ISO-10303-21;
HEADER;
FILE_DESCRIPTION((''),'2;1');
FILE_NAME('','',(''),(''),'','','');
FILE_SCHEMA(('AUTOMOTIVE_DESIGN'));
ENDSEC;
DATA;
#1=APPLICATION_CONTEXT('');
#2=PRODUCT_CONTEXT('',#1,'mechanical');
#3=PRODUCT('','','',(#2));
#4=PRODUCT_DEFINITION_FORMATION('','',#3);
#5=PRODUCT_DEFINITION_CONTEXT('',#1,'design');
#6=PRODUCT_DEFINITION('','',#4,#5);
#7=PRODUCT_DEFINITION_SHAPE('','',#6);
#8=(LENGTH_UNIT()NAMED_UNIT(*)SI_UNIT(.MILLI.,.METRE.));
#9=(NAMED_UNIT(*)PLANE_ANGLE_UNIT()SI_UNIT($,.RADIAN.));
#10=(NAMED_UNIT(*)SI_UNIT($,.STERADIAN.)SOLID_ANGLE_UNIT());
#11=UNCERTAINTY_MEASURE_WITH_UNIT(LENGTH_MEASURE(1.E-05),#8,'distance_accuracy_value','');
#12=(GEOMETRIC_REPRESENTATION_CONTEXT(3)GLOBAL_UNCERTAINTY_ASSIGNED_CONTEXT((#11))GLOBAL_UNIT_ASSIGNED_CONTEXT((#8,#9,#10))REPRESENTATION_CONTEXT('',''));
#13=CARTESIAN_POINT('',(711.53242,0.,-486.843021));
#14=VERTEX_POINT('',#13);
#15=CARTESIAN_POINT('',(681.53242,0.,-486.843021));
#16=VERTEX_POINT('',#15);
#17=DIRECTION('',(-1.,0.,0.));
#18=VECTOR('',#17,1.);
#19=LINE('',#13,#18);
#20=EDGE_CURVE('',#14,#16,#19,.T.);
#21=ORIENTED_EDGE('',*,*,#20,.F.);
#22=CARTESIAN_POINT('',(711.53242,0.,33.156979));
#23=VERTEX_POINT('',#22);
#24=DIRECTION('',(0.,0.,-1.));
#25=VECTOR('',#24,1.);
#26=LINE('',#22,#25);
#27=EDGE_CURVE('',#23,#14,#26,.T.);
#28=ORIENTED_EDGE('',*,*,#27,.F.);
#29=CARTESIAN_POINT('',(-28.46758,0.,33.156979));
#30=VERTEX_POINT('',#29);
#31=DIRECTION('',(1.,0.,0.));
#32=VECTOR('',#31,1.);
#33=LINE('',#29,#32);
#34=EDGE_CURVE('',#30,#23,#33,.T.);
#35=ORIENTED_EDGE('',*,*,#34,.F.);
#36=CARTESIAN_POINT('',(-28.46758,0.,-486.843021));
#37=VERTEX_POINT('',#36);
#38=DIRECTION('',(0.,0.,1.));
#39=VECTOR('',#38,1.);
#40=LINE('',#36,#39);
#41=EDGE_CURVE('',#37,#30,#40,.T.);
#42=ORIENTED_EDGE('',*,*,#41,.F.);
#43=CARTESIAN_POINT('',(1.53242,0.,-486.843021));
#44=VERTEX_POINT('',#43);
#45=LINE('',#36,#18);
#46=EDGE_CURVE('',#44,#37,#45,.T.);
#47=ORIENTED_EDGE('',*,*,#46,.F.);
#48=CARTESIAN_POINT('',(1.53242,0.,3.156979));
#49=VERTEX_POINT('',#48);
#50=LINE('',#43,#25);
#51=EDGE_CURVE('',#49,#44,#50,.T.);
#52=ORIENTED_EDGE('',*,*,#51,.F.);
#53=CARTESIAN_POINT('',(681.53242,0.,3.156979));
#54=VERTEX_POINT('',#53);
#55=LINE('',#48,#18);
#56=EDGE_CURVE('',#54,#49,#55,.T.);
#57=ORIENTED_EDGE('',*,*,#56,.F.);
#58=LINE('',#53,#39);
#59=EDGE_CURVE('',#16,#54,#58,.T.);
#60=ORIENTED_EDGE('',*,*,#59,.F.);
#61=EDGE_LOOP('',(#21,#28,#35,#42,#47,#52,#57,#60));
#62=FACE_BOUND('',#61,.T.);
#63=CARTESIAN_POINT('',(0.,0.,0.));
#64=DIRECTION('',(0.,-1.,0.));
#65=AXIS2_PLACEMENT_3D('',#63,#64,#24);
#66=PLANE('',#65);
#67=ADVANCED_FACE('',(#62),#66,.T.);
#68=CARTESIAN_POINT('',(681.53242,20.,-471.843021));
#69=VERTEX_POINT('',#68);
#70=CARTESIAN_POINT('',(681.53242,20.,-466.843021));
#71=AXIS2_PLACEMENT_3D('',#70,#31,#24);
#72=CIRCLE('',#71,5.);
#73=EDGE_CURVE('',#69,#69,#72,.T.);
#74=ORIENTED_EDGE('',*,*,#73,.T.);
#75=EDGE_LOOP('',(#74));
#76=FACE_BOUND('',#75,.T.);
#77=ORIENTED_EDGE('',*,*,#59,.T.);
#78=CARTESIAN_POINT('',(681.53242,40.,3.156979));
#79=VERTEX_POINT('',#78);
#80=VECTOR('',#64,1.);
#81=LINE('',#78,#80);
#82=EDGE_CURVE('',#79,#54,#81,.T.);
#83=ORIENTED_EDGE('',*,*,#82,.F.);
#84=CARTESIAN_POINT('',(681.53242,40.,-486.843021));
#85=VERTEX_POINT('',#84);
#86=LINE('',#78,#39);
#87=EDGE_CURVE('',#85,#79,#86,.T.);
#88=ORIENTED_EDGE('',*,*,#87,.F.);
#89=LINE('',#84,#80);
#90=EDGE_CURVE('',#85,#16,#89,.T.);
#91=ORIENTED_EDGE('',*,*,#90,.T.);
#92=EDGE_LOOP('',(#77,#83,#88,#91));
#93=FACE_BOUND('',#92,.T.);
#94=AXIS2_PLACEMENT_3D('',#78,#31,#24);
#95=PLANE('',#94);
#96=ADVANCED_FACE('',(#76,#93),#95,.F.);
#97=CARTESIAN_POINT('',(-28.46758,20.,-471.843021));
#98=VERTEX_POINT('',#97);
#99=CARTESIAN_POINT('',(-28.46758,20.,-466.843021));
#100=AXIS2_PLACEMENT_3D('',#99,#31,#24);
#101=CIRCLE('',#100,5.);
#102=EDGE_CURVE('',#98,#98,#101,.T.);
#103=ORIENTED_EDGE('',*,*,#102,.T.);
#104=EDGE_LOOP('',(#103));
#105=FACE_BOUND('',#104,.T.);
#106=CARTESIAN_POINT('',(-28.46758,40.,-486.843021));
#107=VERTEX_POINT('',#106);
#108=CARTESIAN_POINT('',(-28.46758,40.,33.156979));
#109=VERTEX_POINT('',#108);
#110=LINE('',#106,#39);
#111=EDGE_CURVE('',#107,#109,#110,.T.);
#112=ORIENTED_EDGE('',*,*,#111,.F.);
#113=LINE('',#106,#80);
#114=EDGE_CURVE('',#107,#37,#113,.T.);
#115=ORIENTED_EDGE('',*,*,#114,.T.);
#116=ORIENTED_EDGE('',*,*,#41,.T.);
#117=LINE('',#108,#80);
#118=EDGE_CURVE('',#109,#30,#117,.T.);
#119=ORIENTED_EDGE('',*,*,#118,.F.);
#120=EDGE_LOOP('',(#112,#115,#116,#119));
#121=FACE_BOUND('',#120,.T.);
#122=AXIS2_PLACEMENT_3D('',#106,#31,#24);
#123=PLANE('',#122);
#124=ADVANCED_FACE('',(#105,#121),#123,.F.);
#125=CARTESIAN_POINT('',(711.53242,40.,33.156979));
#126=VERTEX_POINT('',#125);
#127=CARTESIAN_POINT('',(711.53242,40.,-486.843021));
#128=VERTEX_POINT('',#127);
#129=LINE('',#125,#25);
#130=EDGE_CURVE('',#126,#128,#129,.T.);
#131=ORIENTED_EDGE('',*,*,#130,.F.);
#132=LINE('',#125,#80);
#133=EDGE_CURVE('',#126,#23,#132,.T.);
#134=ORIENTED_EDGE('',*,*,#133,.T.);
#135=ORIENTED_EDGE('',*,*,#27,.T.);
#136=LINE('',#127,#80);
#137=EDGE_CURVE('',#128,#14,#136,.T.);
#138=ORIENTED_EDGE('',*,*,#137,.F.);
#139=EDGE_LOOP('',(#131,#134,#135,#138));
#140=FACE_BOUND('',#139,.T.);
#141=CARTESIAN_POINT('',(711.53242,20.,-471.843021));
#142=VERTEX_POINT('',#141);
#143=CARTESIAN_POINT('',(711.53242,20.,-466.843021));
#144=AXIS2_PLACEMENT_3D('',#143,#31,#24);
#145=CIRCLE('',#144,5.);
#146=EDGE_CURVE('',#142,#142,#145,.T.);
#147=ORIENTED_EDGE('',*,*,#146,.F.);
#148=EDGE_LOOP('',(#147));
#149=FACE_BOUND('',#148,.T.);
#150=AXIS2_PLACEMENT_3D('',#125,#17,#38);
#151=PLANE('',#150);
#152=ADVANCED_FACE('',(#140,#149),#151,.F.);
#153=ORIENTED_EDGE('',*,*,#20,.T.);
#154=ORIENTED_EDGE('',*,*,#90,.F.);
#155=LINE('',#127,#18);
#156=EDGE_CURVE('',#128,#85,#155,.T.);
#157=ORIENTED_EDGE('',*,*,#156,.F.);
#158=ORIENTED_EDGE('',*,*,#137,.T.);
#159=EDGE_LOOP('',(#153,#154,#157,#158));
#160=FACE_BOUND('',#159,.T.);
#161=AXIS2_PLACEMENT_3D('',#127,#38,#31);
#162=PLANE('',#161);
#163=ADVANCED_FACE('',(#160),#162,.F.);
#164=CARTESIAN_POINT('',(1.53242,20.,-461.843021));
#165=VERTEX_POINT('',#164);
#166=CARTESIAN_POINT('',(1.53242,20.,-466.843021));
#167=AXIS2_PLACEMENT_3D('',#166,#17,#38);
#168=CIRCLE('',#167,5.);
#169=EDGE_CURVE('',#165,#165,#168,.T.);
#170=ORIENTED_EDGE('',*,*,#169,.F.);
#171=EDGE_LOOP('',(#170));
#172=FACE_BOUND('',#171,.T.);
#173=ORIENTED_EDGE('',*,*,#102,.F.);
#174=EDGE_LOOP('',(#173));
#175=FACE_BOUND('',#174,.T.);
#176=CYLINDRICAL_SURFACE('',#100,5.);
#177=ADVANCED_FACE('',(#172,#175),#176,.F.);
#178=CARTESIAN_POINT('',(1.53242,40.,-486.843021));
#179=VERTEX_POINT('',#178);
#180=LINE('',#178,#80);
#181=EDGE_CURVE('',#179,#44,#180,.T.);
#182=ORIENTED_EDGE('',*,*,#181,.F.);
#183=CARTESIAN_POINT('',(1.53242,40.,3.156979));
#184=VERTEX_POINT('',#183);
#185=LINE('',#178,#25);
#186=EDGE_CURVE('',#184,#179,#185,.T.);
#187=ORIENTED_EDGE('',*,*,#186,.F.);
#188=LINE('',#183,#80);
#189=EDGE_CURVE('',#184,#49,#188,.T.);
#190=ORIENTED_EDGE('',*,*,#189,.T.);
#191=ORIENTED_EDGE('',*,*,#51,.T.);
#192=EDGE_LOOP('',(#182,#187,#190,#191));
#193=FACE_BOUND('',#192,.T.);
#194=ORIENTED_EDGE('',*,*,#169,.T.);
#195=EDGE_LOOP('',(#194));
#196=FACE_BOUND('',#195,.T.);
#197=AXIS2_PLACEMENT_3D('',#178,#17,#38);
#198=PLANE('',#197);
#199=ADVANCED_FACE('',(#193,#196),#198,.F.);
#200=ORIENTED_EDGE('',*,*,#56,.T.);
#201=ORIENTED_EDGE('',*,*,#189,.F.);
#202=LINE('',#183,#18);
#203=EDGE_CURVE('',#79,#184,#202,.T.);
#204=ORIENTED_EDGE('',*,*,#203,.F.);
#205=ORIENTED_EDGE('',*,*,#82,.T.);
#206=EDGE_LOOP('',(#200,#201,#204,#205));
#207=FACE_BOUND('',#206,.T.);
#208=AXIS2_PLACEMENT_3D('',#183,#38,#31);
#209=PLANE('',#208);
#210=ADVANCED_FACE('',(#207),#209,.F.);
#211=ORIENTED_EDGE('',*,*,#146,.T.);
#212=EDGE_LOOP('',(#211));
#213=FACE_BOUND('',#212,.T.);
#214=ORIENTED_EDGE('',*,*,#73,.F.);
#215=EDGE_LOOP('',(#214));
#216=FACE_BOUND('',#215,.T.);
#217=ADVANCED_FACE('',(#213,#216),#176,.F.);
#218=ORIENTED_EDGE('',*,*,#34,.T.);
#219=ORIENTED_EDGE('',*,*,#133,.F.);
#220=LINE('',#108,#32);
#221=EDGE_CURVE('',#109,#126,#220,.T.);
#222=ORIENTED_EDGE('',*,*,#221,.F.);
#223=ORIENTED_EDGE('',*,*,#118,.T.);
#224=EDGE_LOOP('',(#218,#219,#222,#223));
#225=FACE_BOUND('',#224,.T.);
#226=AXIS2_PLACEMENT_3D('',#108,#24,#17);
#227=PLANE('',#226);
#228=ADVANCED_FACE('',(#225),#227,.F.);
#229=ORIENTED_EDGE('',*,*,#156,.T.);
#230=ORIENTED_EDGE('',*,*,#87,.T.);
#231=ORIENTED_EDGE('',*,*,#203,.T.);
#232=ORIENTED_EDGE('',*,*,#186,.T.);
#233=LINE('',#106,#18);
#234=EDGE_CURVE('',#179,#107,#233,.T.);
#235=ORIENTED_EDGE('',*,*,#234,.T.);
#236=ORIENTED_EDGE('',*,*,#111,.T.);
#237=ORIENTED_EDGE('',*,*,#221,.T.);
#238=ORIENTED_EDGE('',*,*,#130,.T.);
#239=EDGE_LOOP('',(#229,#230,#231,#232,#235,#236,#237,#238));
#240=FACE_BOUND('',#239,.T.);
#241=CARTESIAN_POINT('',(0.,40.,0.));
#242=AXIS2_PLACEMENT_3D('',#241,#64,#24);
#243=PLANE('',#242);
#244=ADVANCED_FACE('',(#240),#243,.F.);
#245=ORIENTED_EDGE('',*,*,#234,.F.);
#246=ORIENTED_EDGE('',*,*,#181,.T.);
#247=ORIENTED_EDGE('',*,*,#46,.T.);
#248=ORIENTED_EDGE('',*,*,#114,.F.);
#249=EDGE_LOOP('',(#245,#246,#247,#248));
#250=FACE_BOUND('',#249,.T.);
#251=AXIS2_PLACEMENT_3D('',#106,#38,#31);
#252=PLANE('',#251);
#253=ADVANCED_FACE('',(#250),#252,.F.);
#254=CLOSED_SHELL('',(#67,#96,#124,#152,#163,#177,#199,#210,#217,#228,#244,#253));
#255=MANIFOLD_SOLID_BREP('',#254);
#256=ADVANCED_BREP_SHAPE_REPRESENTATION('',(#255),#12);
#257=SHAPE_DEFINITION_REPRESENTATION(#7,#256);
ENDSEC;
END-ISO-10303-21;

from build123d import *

# Parameters (mm, degrees)
EXTRUDE_1_DEPTH     = 40
SKETCH_2_R          = 5
CUT_EXTRUDE_1_DEPTH = 741


with BuildPart() as part:
    # Эскиз1 → Бобышка-Вытянуть1 (new body)
    with BuildSketch(Plane(origin=(0, 0, 0), x_dir=(1, 0, 0), z_dir=(0, 1, 0))):
        Polygon((1.532419628, 486.843020925), (1.532419628, -3.156979075), (681.532419628, -3.156979075), (681.532419628, 486.843020925), (711.532419628, 486.843020925), (711.532419628, -33.156979075), (-28.467580372, -33.156979075), (-28.467580372, 486.843020925), align=None)
    extrude(amount=EXTRUDE_1_DEPTH)

    # Эскиз2 → Вырез-Вытянуть1 (cut, through all)
    with BuildSketch(Plane(origin=(711.532419628, 0, 0), x_dir=(0, 0, -1), z_dir=(1, 0, 0))):
        with Locations((466.843020925, 20)):
            Circle(SKETCH_2_R)
    extrude(amount=-CUT_EXTRUDE_1_DEPTH, mode=Mode.SUBTRACT)


solid = part.part
